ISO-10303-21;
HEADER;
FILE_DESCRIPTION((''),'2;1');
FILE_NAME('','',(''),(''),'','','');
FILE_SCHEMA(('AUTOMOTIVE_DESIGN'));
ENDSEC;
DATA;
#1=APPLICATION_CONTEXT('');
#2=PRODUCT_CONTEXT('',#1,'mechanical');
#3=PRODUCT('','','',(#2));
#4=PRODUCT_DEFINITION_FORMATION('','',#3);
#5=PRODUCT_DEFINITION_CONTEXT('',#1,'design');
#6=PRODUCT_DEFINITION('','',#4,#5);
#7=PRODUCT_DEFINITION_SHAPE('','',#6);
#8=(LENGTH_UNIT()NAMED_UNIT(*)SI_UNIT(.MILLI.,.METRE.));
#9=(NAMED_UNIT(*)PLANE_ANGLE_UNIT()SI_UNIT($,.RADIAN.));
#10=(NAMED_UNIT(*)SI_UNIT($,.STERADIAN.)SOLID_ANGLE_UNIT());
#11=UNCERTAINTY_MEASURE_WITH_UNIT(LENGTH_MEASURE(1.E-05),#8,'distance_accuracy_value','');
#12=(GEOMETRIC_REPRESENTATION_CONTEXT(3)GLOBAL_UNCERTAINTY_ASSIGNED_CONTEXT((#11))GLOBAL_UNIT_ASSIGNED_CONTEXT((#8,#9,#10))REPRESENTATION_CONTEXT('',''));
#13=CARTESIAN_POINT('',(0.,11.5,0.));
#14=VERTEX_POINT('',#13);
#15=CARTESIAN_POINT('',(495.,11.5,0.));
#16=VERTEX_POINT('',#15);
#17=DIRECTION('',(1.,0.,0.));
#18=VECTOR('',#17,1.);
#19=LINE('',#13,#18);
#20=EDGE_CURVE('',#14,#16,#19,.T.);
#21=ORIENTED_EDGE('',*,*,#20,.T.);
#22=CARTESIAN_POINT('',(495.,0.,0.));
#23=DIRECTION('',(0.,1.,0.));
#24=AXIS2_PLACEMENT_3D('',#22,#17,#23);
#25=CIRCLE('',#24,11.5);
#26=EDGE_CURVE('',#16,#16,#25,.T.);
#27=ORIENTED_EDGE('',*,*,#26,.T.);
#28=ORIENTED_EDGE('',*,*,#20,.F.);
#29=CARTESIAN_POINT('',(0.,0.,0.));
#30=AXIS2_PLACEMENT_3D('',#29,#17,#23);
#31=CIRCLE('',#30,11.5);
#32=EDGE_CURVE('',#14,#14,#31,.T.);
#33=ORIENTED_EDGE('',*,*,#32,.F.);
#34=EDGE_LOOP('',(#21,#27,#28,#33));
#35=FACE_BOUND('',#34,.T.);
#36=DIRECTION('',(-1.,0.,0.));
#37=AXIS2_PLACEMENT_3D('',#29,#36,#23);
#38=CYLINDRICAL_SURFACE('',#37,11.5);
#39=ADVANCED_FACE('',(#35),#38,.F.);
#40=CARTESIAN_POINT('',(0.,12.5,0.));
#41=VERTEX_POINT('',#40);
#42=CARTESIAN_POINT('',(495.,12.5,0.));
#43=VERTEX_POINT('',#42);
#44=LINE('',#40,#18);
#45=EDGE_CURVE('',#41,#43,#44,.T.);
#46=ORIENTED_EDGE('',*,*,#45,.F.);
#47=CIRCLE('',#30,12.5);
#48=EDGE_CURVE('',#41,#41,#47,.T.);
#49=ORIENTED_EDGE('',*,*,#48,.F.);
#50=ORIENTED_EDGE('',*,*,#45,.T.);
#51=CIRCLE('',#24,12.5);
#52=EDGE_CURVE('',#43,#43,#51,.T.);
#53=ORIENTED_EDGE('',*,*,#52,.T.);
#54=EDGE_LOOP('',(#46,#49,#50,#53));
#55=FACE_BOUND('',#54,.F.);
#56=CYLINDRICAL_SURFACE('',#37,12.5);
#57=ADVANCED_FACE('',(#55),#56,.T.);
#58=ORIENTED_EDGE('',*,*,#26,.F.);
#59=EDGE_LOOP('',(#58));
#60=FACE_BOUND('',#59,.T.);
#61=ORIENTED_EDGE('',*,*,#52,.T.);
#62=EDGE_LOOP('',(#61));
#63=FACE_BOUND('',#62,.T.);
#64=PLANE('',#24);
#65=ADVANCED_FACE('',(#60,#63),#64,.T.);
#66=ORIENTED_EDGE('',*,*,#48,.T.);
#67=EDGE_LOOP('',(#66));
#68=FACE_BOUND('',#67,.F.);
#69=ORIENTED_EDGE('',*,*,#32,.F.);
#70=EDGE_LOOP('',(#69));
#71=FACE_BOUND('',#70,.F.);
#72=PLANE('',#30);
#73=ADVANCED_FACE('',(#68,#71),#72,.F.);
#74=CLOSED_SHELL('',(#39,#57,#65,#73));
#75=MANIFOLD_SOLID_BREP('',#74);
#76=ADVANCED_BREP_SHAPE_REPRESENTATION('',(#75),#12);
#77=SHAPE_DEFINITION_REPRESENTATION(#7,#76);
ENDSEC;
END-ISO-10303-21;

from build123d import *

# Parameters (mm, degrees)
SKETCH_R   = 12.5
SKETCH_R_2 = 11.5
PAD_DEPTH  = 495


with BuildPart() as part:
    # Sketch → Pad (new body)
    with BuildSketch(Plane.YZ):
        Circle(SKETCH_R)
        Circle(SKETCH_R_2, mode=Mode.SUBTRACT)
    extrude(amount=PAD_DEPTH)


solid = part.part
